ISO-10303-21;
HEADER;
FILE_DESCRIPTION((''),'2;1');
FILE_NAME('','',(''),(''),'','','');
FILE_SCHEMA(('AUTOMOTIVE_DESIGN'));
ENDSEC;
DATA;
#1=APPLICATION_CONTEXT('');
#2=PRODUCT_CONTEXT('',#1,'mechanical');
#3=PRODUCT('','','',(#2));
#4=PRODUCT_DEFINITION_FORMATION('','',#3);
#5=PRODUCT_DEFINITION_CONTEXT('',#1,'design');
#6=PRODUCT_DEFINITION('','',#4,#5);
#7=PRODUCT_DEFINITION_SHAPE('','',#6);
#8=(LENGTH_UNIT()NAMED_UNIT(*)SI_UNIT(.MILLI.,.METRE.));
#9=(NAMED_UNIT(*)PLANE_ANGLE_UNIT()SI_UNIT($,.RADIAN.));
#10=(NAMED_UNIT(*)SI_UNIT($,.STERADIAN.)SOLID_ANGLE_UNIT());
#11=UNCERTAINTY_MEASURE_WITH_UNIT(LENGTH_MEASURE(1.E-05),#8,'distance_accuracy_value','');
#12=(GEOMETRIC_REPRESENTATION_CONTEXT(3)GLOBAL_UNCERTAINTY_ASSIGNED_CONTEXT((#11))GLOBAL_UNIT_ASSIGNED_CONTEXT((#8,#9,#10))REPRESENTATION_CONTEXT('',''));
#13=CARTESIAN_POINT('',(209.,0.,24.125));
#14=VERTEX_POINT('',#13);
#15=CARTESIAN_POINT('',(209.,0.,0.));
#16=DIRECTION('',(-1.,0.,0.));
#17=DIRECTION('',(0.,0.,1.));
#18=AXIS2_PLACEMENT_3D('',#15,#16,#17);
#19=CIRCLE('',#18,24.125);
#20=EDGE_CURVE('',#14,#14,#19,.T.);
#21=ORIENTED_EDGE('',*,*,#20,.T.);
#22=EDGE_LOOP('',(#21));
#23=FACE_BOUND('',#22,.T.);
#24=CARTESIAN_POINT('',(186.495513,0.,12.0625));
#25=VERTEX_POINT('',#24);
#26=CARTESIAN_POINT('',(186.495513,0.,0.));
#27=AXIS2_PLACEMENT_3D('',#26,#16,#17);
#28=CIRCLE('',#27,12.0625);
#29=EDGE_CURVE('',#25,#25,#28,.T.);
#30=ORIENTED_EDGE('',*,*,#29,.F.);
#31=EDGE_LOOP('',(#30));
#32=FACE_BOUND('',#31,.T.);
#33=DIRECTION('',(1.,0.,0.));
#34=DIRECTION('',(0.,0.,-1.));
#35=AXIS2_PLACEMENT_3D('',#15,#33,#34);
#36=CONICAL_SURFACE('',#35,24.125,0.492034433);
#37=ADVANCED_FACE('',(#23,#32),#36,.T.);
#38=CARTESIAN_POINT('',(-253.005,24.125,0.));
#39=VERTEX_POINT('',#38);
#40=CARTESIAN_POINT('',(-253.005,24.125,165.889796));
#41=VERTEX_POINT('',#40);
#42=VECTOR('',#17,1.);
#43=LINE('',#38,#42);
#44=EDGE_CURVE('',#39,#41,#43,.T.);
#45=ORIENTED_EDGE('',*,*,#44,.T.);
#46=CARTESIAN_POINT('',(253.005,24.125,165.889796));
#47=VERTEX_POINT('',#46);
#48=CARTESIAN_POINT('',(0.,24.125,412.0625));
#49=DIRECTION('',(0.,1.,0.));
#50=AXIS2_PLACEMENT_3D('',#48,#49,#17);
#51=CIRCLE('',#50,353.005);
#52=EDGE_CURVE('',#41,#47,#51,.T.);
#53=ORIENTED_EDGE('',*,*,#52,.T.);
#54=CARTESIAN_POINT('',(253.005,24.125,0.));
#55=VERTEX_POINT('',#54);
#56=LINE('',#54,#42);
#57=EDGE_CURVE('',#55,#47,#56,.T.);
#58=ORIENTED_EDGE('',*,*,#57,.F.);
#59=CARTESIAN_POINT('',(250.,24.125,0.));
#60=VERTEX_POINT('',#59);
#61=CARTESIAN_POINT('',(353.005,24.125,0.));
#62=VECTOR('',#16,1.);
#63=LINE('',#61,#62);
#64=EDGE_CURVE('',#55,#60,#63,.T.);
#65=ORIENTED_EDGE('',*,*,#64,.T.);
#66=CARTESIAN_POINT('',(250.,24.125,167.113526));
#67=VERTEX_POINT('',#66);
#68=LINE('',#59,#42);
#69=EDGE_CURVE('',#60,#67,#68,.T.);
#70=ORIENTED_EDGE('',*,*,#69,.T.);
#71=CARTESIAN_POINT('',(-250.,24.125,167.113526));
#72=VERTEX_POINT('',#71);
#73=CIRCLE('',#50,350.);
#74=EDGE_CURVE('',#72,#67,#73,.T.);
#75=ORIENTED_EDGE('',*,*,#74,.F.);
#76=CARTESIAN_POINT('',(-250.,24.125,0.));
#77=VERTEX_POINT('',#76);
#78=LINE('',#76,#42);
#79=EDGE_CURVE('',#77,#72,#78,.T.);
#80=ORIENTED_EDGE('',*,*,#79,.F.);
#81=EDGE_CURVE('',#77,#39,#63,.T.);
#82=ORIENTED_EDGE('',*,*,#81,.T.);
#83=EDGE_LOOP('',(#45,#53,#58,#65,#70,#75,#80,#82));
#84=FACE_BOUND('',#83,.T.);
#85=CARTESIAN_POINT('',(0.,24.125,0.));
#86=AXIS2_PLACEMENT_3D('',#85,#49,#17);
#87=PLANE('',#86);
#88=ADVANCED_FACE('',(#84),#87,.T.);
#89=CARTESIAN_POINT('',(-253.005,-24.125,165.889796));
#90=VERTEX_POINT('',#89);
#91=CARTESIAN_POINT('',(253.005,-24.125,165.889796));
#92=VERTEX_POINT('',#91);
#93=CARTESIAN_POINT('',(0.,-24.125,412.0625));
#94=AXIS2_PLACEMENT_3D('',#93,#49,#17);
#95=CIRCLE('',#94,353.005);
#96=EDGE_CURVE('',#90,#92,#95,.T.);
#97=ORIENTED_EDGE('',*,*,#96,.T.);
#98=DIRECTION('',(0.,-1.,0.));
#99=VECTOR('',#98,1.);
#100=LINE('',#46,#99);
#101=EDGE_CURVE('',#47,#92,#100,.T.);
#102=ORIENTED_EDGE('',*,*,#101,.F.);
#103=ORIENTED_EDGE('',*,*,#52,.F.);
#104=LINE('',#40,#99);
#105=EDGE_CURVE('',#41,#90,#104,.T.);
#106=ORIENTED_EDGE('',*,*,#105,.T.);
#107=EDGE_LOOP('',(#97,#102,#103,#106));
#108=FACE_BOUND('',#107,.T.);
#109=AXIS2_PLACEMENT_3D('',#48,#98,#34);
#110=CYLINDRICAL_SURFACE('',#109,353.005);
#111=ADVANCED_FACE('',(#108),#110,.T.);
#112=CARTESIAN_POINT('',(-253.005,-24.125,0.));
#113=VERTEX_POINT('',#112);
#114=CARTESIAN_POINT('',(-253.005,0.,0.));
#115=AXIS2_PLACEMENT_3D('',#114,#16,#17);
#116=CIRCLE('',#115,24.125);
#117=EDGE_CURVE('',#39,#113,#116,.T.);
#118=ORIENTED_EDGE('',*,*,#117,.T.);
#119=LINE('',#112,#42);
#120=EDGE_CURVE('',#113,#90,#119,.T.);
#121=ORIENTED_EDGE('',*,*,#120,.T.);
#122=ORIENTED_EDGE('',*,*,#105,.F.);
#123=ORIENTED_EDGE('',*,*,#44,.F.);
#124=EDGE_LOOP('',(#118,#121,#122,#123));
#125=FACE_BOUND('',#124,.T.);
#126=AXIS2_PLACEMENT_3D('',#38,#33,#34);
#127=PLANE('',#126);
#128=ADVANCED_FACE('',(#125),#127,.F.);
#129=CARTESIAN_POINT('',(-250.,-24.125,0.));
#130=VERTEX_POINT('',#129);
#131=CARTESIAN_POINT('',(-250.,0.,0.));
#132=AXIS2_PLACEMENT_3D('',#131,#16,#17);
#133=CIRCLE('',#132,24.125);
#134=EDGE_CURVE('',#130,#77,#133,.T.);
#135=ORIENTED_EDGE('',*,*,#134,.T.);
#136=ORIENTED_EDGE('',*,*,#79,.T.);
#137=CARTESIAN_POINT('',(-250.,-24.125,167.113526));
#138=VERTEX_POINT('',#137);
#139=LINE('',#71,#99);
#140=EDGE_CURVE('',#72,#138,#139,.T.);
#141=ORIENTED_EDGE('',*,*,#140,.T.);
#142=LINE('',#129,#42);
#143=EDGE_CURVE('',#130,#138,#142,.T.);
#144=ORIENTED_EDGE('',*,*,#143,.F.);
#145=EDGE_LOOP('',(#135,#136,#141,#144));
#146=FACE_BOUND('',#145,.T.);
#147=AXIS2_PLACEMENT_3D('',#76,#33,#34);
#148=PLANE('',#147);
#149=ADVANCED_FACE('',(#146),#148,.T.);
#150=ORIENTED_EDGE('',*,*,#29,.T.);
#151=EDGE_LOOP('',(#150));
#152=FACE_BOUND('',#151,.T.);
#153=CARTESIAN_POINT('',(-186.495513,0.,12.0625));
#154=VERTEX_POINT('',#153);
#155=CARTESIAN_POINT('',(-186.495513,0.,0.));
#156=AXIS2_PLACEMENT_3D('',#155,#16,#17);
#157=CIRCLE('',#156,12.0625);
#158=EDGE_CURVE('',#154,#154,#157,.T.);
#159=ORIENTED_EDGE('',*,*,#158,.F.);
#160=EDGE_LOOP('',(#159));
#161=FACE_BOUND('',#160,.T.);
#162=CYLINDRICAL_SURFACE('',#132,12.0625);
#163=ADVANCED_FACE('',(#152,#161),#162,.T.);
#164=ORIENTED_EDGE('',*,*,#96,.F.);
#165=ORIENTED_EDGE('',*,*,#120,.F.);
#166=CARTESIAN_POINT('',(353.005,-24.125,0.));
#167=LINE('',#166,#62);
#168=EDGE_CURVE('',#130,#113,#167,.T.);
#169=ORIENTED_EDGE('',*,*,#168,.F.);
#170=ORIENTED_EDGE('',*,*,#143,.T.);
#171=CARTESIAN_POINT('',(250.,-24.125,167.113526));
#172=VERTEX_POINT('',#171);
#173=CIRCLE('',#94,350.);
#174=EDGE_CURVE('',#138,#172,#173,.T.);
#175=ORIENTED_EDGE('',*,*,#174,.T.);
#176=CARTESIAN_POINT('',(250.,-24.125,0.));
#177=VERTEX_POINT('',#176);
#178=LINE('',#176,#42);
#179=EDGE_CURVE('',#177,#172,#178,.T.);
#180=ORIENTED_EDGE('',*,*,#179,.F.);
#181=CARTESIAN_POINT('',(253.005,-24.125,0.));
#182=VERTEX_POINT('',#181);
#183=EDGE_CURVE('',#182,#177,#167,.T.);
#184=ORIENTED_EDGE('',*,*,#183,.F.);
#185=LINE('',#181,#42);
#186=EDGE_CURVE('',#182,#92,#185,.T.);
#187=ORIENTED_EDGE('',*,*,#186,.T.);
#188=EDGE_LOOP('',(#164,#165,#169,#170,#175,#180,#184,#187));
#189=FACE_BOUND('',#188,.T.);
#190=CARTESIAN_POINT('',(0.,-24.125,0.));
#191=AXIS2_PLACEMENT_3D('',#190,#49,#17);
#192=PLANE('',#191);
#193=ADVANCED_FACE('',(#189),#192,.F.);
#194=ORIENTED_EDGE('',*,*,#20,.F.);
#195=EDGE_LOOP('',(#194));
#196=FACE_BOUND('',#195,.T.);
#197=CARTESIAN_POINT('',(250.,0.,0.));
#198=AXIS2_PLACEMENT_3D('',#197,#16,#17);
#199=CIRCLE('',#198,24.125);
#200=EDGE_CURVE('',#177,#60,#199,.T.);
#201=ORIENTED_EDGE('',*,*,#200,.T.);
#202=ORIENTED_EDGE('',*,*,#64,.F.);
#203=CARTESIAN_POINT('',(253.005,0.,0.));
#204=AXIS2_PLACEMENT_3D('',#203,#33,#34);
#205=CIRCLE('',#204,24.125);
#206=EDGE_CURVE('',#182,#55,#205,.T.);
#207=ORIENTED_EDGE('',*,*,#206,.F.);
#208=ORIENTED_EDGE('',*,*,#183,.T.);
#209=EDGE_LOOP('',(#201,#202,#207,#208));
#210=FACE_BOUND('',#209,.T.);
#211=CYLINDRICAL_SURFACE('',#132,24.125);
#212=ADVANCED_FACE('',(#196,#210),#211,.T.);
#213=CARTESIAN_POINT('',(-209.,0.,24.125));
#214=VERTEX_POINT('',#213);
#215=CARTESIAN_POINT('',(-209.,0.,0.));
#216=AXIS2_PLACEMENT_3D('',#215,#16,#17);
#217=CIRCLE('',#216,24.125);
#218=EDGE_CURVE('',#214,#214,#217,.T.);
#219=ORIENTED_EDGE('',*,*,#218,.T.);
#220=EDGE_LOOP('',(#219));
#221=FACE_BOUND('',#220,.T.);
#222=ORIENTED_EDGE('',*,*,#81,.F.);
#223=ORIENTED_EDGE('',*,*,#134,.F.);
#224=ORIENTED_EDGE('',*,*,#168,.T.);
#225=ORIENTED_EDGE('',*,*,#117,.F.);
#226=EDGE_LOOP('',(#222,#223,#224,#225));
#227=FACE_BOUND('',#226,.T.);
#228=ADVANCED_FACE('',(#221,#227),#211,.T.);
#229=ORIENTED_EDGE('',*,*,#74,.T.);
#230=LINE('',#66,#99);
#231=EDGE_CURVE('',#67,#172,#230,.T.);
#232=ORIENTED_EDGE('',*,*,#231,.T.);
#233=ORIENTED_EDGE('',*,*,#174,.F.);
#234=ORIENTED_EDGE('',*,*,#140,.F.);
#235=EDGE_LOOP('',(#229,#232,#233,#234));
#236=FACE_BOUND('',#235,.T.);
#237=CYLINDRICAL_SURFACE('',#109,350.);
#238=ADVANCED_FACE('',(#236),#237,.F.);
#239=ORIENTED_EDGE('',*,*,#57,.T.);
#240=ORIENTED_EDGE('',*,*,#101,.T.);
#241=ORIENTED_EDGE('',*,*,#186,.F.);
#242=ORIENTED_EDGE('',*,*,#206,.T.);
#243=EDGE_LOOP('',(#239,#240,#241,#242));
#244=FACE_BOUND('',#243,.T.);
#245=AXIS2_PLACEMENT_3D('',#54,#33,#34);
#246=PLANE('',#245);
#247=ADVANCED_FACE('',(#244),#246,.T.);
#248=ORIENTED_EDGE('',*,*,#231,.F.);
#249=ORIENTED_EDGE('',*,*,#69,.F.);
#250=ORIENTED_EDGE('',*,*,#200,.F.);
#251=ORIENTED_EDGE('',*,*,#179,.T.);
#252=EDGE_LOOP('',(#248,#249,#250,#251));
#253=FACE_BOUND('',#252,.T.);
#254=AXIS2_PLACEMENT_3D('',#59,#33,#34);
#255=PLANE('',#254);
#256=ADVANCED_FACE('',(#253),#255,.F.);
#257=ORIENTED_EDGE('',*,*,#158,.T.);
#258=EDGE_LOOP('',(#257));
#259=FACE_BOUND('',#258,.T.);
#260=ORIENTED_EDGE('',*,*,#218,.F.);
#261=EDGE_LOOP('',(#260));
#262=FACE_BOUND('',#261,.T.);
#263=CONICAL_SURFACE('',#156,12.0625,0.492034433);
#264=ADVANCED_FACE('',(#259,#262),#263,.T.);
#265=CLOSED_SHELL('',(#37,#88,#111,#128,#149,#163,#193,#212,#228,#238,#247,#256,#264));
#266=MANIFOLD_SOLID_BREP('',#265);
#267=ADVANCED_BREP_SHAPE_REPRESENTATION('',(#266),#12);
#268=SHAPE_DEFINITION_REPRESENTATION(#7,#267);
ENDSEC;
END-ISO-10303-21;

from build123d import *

# Parameters (mm, degrees)
BOSS_EXTRUDE1_DEPTH = 24.125
CUT_EXTRUDE1_DEPTH  = 977.298322892


with BuildPart() as part:
    # Sketch1 → Revolve1 (revolve)
    with BuildSketch(Plane(origin=(0, 0, 0), x_dir=(1, 0, 0), z_dir=(0, 1, 0)), mode=Mode.PRIVATE) as revolve1_sk:
        Polygon((-250, 0), (250, 0), (250, 24.125), (209, 24.125), (186.495513174, 12.0625), (0, 12.0625), (-186.495513174, 12.0625), (-209, 24.125), (-250, 24.125), align=None)
    revolve(revolve1_sk.sketch.rotate(Axis((-250, 0, 0), (1, 0, 0)), 180), axis=Axis((-250, 0, 0), (1, 0, 0)))

    # Sketch3 → Boss-Extrude1 (add, symmetric)
    with BuildSketch(Plane(origin=(0, 0, 0), x_dir=(1, 0, 0), z_dir=(0, 1, 0))):
        with BuildLine():
            Line((-253.005, 0), (-253.005, -165.889796395))
            ThreePointArc((-253.005, -165.889796395), (0, -765.0675), (253.005, -165.889796395))
            Line((253.005, -165.889796395), (253.005, 0))
            Line((253.005, 0), (253.005, 24.125))
            Line((253.005, 24.125), (250, 24.125))
            Line((250, 24.125), (250, 0))
            Line((250, 0), (250, -167.113525722))
            ThreePointArc((250, -167.113525722), (0, -762.0625), (-250, -167.113525722))
            Line((-250, -167.113525722), (-250, 0))
            Line((-250, 0), (-250, 24.125))
            Line((-250, 24.125), (-253.005, 24.125))
            Line((-253.005, 24.125), (-253.005, 0))
        make_face()
    extrude(amount=BOSS_EXTRUDE1_DEPTH, both=True)

    # Sketch4 → Cut-Extrude1 (cut, through all)
    with BuildSketch(Plane.ZY.offset(253.005)):
        with BuildLine():
            ThreePointArc((-24.125, -2.4e-08), (-17.058951105, 17.058951087), (0, 24.125))
            Line((0, 24.125), (-24.125, 24.125))
            Line((-24.125, 24.125), (-24.125, -2.4e-08))
        make_face()
        with BuildLine():
            ThreePointArc((0, -24.125), (-17.058951087, -17.058951105), (-24.125, -2.4e-08))
            Line((-24.125, -2.4e-08), (-24.125, -24.125))
            Line((-24.125, -24.125), (0, -24.125))
        make_face()
    extrude(amount=-CUT_EXTRUDE1_DEPTH, mode=Mode.SUBTRACT)


solid = part.part
